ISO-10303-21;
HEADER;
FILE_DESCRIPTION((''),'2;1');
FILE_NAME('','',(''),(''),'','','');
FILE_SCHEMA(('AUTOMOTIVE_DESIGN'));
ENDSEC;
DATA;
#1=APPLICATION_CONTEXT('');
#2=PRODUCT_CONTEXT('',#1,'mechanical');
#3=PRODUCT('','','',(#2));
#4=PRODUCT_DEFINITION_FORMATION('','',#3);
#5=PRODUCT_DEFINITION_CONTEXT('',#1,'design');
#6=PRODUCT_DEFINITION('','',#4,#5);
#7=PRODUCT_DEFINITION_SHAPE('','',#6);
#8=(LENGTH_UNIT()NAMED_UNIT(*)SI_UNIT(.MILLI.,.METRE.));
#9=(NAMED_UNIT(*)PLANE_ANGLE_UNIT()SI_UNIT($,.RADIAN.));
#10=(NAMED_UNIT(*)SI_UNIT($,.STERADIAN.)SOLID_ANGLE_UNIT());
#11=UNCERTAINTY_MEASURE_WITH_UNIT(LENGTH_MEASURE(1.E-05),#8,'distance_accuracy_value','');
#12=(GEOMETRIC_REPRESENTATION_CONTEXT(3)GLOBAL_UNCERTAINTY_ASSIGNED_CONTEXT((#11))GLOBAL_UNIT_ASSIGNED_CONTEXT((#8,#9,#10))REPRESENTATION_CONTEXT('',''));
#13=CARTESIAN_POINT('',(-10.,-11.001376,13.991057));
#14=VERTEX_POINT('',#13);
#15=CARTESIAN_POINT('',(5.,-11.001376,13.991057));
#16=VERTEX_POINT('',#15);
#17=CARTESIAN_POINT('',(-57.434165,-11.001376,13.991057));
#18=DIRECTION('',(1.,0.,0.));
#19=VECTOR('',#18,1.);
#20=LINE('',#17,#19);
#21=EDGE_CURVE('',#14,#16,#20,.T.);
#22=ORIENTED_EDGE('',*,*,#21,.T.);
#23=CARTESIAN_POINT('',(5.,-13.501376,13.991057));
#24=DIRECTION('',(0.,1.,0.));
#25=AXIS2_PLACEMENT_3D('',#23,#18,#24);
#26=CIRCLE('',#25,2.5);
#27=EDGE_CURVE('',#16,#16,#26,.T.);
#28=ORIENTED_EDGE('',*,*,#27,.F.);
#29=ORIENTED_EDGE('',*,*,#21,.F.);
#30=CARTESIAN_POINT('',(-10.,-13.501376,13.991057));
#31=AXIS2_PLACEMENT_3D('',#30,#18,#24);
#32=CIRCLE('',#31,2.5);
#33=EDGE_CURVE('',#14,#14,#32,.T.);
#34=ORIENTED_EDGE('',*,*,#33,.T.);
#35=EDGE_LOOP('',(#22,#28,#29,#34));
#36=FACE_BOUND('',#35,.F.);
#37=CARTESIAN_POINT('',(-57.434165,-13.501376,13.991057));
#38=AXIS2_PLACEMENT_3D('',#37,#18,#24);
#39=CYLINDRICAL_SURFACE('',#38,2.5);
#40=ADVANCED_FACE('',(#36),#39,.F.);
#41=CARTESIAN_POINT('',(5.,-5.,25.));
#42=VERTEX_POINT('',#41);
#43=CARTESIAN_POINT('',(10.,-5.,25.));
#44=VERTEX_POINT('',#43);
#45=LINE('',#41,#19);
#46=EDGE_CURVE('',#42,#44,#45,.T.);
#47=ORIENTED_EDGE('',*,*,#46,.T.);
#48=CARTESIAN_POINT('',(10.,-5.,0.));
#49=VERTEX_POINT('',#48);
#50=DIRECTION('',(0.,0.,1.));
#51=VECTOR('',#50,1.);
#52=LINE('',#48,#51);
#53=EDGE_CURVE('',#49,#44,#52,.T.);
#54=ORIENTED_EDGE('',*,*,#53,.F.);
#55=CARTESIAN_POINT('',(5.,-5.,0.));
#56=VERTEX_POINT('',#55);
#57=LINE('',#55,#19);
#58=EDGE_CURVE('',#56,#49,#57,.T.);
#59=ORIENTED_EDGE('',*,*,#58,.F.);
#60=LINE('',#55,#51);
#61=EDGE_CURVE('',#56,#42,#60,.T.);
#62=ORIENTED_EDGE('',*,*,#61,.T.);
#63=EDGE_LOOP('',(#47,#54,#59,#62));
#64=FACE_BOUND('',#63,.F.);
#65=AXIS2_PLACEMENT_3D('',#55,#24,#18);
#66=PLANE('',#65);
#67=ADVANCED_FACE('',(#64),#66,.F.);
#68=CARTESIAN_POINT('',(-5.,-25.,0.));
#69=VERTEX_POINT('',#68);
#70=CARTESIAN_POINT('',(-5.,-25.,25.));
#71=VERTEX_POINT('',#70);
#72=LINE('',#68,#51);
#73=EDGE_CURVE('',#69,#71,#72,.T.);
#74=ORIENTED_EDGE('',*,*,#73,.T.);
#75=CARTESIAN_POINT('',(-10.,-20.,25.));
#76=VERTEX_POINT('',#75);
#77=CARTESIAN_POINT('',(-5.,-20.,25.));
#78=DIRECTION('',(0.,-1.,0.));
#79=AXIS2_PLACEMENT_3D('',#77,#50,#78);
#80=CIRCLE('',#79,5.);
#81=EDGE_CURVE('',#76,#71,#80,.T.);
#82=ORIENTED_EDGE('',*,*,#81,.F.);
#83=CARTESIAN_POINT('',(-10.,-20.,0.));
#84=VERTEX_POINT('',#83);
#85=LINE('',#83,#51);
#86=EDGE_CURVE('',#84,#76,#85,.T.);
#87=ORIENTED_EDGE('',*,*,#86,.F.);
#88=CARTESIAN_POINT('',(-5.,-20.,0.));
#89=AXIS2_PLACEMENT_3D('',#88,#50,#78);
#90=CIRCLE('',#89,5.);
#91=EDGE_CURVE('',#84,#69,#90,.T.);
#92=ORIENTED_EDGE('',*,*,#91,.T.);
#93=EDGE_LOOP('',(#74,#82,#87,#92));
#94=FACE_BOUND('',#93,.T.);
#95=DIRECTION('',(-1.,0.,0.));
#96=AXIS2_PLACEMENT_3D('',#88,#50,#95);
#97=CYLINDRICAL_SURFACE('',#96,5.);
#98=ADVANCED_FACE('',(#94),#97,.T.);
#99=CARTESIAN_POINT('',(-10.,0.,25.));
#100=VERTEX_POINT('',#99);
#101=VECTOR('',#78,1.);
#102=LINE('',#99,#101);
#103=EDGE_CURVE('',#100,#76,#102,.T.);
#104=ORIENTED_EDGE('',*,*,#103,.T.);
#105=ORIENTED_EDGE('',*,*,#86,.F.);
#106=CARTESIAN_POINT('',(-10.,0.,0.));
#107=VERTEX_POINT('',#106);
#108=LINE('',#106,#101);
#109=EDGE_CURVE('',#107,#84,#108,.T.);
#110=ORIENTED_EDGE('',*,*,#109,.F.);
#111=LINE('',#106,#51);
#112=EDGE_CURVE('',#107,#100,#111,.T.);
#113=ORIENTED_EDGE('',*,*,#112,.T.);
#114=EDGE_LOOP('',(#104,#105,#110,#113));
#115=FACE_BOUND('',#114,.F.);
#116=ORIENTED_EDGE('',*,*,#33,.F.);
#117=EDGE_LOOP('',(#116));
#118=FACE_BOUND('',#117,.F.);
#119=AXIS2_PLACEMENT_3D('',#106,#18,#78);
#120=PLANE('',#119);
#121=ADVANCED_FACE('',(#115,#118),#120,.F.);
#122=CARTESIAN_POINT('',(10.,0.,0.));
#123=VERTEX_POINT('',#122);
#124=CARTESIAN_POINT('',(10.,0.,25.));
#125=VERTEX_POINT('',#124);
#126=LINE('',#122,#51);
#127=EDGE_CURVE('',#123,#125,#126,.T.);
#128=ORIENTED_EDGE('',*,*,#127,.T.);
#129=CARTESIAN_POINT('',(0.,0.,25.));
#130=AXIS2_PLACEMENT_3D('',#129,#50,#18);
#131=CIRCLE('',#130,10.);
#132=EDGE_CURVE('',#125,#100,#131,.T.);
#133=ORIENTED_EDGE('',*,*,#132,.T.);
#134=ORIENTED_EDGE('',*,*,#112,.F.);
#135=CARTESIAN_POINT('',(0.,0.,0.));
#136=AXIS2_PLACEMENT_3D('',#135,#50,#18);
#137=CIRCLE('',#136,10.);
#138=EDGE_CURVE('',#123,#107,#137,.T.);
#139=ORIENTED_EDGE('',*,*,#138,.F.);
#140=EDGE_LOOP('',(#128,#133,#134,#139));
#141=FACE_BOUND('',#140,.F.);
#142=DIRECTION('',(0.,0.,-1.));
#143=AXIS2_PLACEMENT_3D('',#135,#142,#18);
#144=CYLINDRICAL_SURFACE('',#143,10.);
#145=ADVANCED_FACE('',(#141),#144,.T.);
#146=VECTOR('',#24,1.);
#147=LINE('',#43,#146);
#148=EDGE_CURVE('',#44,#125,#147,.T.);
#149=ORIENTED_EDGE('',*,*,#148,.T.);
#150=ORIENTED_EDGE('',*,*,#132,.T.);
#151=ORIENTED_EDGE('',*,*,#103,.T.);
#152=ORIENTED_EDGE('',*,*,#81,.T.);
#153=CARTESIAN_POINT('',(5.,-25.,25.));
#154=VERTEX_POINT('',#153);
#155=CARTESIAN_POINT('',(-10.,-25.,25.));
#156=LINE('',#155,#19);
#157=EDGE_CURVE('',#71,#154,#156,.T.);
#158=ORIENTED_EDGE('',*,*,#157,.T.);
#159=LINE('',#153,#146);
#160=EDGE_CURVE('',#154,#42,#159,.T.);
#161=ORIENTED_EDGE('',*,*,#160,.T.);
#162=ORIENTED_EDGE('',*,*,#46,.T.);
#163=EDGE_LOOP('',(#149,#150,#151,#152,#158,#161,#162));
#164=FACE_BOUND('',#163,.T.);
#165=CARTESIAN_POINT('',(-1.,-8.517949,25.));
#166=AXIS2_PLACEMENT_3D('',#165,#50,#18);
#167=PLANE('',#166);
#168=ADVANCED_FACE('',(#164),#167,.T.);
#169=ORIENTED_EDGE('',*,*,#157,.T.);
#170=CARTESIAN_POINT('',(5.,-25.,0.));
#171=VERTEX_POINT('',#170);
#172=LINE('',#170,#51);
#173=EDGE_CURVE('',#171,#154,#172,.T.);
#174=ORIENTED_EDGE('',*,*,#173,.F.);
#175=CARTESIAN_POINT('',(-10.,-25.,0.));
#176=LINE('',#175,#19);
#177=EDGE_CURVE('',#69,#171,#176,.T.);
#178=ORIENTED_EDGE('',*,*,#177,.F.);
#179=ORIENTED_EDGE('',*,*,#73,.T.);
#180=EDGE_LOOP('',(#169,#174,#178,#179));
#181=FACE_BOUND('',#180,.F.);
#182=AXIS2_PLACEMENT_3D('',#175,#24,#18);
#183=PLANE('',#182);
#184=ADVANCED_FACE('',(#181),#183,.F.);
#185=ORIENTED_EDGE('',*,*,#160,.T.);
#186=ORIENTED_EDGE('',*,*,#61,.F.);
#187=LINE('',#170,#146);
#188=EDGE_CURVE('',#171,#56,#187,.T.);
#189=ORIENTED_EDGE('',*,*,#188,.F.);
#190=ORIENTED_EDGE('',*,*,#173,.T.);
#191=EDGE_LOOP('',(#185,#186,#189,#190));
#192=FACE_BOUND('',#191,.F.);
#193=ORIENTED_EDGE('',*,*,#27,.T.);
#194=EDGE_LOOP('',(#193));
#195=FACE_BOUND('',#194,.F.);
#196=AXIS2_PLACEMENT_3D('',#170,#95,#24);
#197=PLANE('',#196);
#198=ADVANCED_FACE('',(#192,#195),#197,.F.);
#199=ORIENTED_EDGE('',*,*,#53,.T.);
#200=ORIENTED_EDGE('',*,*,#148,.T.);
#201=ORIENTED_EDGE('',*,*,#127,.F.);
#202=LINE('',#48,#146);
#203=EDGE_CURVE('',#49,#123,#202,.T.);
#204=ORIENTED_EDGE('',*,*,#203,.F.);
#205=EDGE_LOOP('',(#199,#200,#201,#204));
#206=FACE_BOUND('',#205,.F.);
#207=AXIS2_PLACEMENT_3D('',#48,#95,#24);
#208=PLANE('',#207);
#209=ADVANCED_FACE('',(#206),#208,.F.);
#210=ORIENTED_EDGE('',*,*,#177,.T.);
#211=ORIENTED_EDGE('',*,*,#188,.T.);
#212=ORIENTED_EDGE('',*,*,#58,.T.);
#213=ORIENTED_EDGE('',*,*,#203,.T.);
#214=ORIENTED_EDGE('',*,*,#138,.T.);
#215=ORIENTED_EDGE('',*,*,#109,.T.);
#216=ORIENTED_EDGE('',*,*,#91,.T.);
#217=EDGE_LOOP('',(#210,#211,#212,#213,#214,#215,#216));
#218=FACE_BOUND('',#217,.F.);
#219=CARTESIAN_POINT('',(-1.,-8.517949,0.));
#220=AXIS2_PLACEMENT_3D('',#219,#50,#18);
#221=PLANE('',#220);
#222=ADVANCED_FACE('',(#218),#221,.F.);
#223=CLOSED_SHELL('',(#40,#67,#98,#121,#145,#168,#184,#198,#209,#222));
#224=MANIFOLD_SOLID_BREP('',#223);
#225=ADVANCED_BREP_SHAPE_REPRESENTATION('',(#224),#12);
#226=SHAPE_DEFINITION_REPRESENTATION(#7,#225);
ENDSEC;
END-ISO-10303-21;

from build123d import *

# Parameters (mm, degrees)
F1_DEPTH = 25
F3_D     = 5
F4_R     = 5


with BuildPart() as f1:
    # F0 (on Top) → F1 (new body)
    with BuildSketch(Plane.XY):
        with BuildLine():
            Line((10, -5), (10, 0))
            ThreePointArc((10, 0), (0, 10), (-10, 0))
            Line((-10, 0), (-10, -25))
            Line((-10, -25), (5, -25))
            Line((5, -25), (5, -5))
            Line((5, -5), (10, -5))
        make_face()
    extrude(amount=F1_DEPTH)

    # F3 (through all)
    with Locations(Plane(origin=(-10, 0, 0), x_dir=(0, -1, 0), z_dir=(-1, 0, 0))):
        with Locations((13.501376, 13.991057)):
            Hole(F3_D / 2)

    # F4
    f4_edges = [f1.edges().sort_by_distance(p)[0] for p in [
        (-10, -25, 12.5),
    ]]
    fillet(f4_edges, radius=F4_R)


solid = f1.part
